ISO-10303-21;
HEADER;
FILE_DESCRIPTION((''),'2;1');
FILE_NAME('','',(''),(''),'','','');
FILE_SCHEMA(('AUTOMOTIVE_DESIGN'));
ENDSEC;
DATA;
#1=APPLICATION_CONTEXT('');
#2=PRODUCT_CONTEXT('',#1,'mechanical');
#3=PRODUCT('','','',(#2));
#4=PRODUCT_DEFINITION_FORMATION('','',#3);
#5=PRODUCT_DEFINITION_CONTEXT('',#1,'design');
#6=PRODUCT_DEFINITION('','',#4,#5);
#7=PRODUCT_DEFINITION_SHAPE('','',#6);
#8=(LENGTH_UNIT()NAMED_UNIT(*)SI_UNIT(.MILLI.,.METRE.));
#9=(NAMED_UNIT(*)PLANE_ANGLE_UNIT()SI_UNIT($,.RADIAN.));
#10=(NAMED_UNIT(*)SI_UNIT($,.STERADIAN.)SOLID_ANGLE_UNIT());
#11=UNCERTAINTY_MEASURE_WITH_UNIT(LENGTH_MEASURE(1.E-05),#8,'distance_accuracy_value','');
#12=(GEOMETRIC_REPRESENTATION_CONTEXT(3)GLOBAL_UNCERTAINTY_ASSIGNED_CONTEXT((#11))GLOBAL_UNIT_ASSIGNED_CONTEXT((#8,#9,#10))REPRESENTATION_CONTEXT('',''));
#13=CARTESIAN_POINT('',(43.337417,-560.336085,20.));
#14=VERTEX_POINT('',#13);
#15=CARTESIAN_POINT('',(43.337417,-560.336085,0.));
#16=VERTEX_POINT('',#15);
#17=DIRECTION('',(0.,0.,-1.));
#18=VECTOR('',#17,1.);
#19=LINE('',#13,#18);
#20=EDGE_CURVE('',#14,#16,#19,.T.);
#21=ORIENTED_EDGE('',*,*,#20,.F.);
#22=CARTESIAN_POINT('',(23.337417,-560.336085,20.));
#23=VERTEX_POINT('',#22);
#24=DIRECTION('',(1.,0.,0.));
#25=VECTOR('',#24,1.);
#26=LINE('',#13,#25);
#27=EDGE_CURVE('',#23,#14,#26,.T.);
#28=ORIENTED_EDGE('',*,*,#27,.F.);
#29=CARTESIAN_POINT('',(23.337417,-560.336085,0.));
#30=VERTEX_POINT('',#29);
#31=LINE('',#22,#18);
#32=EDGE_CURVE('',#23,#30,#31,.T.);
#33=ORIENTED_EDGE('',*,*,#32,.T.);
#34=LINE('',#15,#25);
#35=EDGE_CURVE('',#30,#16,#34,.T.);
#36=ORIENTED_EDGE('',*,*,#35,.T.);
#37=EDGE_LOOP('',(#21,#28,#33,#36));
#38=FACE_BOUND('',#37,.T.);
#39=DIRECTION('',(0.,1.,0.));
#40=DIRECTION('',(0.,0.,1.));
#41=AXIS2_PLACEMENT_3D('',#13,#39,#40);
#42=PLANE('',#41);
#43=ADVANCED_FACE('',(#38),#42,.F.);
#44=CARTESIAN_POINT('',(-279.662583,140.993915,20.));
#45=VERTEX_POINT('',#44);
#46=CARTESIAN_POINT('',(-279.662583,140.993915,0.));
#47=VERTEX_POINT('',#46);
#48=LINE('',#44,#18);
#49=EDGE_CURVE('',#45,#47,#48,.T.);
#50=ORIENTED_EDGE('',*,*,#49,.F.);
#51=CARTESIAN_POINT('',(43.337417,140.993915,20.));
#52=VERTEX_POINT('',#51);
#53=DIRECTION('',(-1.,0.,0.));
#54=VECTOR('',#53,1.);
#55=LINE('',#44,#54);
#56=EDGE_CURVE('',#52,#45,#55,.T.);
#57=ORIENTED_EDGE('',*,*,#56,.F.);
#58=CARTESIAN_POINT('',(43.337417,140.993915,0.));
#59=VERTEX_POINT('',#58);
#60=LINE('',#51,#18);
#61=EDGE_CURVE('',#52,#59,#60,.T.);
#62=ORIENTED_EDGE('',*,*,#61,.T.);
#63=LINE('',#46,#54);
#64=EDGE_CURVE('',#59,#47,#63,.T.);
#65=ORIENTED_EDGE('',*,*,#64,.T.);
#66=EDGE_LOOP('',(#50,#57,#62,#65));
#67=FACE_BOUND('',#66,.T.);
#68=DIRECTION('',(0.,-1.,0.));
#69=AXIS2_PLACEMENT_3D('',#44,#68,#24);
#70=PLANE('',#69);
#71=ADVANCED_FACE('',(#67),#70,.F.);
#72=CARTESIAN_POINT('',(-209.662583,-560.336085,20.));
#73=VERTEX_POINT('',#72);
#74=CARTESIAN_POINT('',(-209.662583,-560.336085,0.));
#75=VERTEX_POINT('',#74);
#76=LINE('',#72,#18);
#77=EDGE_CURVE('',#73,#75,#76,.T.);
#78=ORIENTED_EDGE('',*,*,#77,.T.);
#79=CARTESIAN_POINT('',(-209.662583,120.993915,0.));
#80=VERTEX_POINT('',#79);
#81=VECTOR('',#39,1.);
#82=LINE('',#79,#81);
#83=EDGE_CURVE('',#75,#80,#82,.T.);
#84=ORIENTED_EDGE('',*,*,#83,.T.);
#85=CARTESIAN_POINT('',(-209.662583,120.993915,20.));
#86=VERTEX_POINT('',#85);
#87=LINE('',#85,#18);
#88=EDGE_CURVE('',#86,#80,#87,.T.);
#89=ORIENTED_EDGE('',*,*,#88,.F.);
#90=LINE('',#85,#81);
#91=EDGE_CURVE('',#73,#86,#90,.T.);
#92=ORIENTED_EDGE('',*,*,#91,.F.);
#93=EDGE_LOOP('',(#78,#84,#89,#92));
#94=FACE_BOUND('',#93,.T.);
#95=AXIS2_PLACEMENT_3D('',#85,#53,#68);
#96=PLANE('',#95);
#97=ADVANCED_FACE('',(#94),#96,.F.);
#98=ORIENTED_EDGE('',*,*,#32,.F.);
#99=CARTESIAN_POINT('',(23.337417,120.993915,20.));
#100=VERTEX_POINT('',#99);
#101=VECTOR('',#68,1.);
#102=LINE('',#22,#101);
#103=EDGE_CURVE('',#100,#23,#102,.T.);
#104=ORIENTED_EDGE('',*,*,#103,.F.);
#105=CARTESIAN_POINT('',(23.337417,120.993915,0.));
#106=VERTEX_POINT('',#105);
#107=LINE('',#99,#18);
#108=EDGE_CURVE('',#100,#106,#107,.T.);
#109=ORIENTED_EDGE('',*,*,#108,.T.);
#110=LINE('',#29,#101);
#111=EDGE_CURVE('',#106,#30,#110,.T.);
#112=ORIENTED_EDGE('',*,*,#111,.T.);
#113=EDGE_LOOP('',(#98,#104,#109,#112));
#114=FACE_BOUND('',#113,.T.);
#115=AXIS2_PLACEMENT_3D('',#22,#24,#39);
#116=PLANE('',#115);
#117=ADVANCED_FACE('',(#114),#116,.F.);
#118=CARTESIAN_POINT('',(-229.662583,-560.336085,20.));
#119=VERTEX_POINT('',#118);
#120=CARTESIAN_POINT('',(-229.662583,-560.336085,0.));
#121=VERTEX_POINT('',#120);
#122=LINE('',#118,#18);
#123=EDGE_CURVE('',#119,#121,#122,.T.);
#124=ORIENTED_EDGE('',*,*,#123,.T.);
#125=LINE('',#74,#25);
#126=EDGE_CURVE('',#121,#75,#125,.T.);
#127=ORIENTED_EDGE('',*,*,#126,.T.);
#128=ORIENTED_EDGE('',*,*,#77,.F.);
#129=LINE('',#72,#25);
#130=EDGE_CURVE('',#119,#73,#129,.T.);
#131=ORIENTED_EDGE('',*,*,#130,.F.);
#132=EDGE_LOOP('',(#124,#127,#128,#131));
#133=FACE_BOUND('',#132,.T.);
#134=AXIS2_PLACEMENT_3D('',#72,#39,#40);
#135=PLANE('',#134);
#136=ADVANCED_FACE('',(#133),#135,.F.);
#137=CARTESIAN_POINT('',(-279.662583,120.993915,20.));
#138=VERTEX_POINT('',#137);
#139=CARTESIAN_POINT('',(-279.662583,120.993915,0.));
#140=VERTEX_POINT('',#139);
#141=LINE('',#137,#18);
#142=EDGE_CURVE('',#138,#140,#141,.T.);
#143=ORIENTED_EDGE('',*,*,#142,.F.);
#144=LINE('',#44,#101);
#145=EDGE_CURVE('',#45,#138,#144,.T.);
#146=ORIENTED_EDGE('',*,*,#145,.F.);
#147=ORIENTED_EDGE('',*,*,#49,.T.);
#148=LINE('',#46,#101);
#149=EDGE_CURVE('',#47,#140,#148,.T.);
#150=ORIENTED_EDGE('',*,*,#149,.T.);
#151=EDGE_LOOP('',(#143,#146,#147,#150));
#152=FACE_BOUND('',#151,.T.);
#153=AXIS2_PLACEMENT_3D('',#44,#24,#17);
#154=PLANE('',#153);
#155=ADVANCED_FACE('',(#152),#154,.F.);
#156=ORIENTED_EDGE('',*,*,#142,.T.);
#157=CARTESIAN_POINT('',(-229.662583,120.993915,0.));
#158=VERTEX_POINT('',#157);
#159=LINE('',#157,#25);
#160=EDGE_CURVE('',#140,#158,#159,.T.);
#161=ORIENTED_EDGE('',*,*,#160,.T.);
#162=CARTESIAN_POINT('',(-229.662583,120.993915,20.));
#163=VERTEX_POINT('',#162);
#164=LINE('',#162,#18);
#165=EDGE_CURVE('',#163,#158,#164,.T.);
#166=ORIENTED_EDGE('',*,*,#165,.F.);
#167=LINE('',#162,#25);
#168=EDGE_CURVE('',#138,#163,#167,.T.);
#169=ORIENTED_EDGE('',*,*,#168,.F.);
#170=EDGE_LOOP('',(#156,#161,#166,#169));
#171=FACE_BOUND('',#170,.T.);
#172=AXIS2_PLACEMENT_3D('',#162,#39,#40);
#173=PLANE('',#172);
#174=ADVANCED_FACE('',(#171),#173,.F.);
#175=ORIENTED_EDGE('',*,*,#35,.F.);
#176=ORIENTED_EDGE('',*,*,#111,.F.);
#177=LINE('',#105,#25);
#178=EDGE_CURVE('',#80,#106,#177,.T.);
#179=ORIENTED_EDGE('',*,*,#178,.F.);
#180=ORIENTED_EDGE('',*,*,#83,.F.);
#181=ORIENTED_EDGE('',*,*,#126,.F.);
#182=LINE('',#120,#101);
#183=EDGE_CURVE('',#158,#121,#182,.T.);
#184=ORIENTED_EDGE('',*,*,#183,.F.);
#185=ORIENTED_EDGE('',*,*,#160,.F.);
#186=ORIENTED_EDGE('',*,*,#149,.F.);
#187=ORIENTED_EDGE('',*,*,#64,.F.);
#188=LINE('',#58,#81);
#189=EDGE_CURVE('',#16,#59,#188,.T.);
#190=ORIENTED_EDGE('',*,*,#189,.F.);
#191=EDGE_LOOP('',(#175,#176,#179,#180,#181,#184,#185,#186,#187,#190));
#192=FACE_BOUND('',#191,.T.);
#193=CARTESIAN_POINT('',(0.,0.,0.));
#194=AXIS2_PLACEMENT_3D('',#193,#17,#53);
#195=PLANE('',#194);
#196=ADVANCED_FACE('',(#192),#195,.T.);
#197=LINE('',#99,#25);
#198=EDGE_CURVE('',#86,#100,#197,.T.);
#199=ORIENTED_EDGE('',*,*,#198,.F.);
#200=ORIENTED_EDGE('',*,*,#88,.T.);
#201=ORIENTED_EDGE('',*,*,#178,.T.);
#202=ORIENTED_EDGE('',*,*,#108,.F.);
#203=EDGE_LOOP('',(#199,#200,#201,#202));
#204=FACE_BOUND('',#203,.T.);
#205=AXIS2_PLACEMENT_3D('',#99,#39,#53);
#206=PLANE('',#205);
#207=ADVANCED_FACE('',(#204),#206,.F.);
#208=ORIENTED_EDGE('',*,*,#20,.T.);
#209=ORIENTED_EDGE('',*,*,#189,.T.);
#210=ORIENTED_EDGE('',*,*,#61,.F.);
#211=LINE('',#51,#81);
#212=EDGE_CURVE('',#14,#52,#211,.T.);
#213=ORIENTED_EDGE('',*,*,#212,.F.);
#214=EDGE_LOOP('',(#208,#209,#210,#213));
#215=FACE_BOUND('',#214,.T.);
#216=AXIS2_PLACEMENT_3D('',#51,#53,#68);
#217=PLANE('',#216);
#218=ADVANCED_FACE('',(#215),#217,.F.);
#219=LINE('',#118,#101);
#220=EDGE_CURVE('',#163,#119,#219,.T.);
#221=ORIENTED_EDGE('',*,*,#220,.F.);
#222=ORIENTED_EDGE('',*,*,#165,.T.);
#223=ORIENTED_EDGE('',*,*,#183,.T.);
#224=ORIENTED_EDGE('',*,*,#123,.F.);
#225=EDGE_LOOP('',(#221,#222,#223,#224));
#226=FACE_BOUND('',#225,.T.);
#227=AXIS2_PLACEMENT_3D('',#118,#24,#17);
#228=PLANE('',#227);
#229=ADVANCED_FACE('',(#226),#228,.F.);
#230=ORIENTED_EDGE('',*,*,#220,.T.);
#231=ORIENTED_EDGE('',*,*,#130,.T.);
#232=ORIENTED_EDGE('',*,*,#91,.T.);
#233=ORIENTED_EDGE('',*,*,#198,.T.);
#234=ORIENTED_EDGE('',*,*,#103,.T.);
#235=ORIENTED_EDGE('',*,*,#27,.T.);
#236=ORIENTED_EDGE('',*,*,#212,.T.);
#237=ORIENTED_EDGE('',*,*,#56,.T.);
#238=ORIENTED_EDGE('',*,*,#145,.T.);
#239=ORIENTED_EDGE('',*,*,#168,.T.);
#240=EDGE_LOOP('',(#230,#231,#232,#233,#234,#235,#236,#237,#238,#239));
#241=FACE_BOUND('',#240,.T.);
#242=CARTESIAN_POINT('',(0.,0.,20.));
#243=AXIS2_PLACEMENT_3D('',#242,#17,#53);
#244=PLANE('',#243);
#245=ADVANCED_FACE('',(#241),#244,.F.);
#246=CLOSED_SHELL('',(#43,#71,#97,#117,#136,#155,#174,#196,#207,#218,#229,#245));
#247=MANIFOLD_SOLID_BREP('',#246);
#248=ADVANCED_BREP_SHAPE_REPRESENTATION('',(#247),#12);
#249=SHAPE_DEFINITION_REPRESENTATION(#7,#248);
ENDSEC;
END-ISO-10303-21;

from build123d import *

# Parameters (mm, degrees)
BOSS_EXTRUDE1_DEPTH = 20


with BuildPart() as part:
    # Sketch1 → Boss-Extrude1 (new body)
    with BuildSketch(Plane.XY):
        Polygon((-279.662582645, 140.993915289), (43.337417355, 140.993915289), (43.337417355, -560.336084711), (23.337417355, -560.336084711), (23.337417355, 120.993915289), (-209.662582645, 120.993915289), (-209.662582645, -560.336084711), (-229.662582645, -560.336084711), (-229.662582645, 120.993915289), (-279.662582645, 120.993915289), align=None)
    extrude(amount=BOSS_EXTRUDE1_DEPTH)


solid = part.part
